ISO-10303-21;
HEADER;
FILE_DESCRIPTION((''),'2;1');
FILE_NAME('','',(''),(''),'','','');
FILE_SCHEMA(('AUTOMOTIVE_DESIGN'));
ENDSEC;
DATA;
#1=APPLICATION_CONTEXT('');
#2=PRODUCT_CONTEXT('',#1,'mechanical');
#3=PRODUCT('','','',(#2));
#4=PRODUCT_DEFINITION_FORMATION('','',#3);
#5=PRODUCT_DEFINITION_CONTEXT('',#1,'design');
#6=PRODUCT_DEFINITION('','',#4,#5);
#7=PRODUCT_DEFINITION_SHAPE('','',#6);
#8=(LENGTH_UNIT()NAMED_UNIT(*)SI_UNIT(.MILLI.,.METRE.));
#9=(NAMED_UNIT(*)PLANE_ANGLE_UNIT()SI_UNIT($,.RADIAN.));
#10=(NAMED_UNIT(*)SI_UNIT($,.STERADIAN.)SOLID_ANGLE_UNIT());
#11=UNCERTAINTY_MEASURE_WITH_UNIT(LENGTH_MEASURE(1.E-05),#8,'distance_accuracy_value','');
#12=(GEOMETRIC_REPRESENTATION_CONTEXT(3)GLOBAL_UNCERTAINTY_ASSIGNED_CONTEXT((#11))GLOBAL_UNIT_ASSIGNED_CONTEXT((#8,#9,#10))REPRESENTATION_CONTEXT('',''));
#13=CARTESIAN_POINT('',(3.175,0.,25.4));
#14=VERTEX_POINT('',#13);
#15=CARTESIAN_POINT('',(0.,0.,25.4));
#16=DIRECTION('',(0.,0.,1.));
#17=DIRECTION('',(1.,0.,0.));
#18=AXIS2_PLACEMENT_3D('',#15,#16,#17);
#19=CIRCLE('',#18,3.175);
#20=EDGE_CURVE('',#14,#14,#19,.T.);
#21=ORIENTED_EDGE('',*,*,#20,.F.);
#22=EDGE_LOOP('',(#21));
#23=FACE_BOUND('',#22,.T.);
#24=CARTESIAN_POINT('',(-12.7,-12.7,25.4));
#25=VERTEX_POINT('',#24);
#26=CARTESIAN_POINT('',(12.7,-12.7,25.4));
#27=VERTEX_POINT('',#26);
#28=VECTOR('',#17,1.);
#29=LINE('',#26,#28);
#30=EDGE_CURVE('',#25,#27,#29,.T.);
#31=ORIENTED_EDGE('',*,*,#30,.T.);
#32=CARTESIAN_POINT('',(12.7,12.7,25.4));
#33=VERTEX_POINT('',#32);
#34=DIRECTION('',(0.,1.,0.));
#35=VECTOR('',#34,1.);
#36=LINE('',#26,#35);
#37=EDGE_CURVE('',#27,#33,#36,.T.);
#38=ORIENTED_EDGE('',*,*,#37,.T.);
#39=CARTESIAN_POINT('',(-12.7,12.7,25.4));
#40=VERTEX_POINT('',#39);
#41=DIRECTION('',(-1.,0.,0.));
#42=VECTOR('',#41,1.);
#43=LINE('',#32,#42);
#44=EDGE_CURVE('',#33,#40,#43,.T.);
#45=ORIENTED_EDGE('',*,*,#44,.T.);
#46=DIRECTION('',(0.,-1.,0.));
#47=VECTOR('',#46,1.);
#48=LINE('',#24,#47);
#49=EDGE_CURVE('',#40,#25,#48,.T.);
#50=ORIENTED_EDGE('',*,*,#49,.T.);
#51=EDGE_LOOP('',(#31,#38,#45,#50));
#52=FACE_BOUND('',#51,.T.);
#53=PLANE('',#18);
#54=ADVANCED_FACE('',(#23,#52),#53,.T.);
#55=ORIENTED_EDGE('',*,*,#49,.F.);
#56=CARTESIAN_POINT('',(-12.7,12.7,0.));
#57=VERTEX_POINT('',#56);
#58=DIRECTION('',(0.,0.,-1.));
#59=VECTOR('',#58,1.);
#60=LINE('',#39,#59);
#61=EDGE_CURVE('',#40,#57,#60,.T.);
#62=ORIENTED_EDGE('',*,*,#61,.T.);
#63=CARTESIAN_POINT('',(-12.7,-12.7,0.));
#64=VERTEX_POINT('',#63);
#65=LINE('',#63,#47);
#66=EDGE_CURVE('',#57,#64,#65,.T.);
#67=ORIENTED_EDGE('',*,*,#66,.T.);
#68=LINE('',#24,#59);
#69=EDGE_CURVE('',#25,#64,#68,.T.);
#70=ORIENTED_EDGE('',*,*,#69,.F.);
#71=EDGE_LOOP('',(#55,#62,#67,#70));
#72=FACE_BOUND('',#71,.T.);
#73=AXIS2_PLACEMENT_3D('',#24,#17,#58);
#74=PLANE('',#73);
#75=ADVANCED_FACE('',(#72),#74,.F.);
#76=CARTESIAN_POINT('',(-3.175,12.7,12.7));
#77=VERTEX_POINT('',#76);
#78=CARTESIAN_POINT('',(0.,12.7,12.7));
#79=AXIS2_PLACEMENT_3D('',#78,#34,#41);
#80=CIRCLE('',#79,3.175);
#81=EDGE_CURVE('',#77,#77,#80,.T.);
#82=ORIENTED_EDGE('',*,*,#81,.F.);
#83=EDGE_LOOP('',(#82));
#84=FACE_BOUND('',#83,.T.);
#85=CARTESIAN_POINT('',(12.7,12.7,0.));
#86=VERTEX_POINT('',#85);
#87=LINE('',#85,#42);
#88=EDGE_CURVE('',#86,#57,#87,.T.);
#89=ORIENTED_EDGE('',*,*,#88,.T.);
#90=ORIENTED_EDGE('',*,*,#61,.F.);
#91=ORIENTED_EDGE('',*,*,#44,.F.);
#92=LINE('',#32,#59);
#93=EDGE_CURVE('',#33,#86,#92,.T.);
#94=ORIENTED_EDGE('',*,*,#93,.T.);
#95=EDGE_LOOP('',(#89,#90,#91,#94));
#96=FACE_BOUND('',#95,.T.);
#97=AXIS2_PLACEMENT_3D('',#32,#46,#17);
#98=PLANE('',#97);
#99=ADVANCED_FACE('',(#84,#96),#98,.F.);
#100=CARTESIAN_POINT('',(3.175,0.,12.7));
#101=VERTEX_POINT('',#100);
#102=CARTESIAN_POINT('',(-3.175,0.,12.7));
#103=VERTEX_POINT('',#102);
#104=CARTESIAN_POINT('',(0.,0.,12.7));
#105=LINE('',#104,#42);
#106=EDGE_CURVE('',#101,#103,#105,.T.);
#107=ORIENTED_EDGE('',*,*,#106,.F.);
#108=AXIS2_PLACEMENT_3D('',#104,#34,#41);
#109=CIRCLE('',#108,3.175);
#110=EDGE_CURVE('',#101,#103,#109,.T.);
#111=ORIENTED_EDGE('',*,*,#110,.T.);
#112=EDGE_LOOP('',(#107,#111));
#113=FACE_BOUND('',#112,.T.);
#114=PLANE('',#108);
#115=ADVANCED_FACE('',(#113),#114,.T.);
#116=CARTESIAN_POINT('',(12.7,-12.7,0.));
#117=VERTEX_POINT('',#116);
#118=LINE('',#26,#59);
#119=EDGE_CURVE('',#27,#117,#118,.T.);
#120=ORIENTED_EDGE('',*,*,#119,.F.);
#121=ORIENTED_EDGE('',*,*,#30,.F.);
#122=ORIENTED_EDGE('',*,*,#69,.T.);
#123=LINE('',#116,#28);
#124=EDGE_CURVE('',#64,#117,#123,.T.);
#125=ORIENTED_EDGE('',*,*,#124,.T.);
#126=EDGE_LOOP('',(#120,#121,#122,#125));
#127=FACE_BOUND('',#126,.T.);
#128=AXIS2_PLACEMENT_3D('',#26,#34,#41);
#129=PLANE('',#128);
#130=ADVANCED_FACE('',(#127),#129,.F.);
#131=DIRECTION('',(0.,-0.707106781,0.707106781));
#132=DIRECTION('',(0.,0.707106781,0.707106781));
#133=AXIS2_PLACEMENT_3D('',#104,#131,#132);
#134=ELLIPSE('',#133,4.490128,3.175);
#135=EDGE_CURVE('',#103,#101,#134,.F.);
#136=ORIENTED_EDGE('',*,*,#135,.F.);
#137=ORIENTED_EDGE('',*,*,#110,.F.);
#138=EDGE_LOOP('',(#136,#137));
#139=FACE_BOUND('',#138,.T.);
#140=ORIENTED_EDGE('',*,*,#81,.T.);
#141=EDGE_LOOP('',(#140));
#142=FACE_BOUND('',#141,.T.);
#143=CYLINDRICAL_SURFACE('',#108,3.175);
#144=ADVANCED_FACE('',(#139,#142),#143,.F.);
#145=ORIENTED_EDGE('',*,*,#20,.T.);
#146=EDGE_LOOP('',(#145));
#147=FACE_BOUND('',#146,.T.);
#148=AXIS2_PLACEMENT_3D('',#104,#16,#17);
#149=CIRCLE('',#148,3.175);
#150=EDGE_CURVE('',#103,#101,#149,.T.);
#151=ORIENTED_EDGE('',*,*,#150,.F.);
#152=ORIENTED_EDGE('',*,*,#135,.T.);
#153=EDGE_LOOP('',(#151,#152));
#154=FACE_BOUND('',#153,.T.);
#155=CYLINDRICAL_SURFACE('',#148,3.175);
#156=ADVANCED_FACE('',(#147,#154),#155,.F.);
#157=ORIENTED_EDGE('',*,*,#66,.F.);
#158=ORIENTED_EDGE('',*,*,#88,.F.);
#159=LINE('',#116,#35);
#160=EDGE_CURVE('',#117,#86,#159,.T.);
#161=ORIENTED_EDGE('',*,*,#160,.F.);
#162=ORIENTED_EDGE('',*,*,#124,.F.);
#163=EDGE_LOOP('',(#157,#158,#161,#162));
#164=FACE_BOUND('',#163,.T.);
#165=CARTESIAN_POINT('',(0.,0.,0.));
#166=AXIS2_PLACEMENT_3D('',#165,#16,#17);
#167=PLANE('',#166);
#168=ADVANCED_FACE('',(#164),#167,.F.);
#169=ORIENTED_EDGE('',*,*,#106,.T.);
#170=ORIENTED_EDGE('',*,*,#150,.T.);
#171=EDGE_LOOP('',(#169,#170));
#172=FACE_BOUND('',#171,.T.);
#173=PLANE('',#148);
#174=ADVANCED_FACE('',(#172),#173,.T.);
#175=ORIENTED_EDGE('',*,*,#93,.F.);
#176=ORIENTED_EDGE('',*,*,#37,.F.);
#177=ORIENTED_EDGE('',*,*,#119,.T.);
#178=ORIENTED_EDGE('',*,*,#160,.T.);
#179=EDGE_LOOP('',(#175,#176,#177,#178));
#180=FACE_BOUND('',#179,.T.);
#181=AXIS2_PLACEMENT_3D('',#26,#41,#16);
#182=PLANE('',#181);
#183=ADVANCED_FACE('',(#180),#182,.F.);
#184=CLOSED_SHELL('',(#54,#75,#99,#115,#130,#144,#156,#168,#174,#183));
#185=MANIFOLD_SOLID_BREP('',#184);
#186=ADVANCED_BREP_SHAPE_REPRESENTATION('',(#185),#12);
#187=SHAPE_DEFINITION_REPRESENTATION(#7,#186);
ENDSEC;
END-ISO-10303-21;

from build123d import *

# Parameters (mm, degrees)
SKETCH1_W           = 25.4
SKETCH1_H           = 25.4
BOSS_EXTRUDE1_DEPTH = 25.4
SKETCH2_R           = 3.175
CUT_EXTRUDE1_DEPTH  = 12.7
SKETCH3_R           = 3.175
CUT_EXTRUDE2_DEPTH  = 12.7


with BuildPart() as part:
    # Sketch1 → Boss-Extrude1 (new body)
    with BuildSketch(Plane.XY):
        Rectangle(SKETCH1_W, SKETCH1_H)
    extrude(amount=BOSS_EXTRUDE1_DEPTH)

    # Sketch2 → Cut-Extrude1 (cut)
    with BuildSketch(Plane.XY.offset(25.4)):
        Circle(SKETCH2_R)
    extrude(amount=-CUT_EXTRUDE1_DEPTH, mode=Mode.SUBTRACT)

    # Sketch3 → Cut-Extrude2 (cut)
    with BuildSketch(Plane(origin=(0, 12.7, 0), x_dir=(1, 0, 0), z_dir=(0, 1, 0))):
        with Locations((0, -12.7)):
            Circle(SKETCH3_R)
    extrude(amount=-CUT_EXTRUDE2_DEPTH, mode=Mode.SUBTRACT)


solid = part.part
